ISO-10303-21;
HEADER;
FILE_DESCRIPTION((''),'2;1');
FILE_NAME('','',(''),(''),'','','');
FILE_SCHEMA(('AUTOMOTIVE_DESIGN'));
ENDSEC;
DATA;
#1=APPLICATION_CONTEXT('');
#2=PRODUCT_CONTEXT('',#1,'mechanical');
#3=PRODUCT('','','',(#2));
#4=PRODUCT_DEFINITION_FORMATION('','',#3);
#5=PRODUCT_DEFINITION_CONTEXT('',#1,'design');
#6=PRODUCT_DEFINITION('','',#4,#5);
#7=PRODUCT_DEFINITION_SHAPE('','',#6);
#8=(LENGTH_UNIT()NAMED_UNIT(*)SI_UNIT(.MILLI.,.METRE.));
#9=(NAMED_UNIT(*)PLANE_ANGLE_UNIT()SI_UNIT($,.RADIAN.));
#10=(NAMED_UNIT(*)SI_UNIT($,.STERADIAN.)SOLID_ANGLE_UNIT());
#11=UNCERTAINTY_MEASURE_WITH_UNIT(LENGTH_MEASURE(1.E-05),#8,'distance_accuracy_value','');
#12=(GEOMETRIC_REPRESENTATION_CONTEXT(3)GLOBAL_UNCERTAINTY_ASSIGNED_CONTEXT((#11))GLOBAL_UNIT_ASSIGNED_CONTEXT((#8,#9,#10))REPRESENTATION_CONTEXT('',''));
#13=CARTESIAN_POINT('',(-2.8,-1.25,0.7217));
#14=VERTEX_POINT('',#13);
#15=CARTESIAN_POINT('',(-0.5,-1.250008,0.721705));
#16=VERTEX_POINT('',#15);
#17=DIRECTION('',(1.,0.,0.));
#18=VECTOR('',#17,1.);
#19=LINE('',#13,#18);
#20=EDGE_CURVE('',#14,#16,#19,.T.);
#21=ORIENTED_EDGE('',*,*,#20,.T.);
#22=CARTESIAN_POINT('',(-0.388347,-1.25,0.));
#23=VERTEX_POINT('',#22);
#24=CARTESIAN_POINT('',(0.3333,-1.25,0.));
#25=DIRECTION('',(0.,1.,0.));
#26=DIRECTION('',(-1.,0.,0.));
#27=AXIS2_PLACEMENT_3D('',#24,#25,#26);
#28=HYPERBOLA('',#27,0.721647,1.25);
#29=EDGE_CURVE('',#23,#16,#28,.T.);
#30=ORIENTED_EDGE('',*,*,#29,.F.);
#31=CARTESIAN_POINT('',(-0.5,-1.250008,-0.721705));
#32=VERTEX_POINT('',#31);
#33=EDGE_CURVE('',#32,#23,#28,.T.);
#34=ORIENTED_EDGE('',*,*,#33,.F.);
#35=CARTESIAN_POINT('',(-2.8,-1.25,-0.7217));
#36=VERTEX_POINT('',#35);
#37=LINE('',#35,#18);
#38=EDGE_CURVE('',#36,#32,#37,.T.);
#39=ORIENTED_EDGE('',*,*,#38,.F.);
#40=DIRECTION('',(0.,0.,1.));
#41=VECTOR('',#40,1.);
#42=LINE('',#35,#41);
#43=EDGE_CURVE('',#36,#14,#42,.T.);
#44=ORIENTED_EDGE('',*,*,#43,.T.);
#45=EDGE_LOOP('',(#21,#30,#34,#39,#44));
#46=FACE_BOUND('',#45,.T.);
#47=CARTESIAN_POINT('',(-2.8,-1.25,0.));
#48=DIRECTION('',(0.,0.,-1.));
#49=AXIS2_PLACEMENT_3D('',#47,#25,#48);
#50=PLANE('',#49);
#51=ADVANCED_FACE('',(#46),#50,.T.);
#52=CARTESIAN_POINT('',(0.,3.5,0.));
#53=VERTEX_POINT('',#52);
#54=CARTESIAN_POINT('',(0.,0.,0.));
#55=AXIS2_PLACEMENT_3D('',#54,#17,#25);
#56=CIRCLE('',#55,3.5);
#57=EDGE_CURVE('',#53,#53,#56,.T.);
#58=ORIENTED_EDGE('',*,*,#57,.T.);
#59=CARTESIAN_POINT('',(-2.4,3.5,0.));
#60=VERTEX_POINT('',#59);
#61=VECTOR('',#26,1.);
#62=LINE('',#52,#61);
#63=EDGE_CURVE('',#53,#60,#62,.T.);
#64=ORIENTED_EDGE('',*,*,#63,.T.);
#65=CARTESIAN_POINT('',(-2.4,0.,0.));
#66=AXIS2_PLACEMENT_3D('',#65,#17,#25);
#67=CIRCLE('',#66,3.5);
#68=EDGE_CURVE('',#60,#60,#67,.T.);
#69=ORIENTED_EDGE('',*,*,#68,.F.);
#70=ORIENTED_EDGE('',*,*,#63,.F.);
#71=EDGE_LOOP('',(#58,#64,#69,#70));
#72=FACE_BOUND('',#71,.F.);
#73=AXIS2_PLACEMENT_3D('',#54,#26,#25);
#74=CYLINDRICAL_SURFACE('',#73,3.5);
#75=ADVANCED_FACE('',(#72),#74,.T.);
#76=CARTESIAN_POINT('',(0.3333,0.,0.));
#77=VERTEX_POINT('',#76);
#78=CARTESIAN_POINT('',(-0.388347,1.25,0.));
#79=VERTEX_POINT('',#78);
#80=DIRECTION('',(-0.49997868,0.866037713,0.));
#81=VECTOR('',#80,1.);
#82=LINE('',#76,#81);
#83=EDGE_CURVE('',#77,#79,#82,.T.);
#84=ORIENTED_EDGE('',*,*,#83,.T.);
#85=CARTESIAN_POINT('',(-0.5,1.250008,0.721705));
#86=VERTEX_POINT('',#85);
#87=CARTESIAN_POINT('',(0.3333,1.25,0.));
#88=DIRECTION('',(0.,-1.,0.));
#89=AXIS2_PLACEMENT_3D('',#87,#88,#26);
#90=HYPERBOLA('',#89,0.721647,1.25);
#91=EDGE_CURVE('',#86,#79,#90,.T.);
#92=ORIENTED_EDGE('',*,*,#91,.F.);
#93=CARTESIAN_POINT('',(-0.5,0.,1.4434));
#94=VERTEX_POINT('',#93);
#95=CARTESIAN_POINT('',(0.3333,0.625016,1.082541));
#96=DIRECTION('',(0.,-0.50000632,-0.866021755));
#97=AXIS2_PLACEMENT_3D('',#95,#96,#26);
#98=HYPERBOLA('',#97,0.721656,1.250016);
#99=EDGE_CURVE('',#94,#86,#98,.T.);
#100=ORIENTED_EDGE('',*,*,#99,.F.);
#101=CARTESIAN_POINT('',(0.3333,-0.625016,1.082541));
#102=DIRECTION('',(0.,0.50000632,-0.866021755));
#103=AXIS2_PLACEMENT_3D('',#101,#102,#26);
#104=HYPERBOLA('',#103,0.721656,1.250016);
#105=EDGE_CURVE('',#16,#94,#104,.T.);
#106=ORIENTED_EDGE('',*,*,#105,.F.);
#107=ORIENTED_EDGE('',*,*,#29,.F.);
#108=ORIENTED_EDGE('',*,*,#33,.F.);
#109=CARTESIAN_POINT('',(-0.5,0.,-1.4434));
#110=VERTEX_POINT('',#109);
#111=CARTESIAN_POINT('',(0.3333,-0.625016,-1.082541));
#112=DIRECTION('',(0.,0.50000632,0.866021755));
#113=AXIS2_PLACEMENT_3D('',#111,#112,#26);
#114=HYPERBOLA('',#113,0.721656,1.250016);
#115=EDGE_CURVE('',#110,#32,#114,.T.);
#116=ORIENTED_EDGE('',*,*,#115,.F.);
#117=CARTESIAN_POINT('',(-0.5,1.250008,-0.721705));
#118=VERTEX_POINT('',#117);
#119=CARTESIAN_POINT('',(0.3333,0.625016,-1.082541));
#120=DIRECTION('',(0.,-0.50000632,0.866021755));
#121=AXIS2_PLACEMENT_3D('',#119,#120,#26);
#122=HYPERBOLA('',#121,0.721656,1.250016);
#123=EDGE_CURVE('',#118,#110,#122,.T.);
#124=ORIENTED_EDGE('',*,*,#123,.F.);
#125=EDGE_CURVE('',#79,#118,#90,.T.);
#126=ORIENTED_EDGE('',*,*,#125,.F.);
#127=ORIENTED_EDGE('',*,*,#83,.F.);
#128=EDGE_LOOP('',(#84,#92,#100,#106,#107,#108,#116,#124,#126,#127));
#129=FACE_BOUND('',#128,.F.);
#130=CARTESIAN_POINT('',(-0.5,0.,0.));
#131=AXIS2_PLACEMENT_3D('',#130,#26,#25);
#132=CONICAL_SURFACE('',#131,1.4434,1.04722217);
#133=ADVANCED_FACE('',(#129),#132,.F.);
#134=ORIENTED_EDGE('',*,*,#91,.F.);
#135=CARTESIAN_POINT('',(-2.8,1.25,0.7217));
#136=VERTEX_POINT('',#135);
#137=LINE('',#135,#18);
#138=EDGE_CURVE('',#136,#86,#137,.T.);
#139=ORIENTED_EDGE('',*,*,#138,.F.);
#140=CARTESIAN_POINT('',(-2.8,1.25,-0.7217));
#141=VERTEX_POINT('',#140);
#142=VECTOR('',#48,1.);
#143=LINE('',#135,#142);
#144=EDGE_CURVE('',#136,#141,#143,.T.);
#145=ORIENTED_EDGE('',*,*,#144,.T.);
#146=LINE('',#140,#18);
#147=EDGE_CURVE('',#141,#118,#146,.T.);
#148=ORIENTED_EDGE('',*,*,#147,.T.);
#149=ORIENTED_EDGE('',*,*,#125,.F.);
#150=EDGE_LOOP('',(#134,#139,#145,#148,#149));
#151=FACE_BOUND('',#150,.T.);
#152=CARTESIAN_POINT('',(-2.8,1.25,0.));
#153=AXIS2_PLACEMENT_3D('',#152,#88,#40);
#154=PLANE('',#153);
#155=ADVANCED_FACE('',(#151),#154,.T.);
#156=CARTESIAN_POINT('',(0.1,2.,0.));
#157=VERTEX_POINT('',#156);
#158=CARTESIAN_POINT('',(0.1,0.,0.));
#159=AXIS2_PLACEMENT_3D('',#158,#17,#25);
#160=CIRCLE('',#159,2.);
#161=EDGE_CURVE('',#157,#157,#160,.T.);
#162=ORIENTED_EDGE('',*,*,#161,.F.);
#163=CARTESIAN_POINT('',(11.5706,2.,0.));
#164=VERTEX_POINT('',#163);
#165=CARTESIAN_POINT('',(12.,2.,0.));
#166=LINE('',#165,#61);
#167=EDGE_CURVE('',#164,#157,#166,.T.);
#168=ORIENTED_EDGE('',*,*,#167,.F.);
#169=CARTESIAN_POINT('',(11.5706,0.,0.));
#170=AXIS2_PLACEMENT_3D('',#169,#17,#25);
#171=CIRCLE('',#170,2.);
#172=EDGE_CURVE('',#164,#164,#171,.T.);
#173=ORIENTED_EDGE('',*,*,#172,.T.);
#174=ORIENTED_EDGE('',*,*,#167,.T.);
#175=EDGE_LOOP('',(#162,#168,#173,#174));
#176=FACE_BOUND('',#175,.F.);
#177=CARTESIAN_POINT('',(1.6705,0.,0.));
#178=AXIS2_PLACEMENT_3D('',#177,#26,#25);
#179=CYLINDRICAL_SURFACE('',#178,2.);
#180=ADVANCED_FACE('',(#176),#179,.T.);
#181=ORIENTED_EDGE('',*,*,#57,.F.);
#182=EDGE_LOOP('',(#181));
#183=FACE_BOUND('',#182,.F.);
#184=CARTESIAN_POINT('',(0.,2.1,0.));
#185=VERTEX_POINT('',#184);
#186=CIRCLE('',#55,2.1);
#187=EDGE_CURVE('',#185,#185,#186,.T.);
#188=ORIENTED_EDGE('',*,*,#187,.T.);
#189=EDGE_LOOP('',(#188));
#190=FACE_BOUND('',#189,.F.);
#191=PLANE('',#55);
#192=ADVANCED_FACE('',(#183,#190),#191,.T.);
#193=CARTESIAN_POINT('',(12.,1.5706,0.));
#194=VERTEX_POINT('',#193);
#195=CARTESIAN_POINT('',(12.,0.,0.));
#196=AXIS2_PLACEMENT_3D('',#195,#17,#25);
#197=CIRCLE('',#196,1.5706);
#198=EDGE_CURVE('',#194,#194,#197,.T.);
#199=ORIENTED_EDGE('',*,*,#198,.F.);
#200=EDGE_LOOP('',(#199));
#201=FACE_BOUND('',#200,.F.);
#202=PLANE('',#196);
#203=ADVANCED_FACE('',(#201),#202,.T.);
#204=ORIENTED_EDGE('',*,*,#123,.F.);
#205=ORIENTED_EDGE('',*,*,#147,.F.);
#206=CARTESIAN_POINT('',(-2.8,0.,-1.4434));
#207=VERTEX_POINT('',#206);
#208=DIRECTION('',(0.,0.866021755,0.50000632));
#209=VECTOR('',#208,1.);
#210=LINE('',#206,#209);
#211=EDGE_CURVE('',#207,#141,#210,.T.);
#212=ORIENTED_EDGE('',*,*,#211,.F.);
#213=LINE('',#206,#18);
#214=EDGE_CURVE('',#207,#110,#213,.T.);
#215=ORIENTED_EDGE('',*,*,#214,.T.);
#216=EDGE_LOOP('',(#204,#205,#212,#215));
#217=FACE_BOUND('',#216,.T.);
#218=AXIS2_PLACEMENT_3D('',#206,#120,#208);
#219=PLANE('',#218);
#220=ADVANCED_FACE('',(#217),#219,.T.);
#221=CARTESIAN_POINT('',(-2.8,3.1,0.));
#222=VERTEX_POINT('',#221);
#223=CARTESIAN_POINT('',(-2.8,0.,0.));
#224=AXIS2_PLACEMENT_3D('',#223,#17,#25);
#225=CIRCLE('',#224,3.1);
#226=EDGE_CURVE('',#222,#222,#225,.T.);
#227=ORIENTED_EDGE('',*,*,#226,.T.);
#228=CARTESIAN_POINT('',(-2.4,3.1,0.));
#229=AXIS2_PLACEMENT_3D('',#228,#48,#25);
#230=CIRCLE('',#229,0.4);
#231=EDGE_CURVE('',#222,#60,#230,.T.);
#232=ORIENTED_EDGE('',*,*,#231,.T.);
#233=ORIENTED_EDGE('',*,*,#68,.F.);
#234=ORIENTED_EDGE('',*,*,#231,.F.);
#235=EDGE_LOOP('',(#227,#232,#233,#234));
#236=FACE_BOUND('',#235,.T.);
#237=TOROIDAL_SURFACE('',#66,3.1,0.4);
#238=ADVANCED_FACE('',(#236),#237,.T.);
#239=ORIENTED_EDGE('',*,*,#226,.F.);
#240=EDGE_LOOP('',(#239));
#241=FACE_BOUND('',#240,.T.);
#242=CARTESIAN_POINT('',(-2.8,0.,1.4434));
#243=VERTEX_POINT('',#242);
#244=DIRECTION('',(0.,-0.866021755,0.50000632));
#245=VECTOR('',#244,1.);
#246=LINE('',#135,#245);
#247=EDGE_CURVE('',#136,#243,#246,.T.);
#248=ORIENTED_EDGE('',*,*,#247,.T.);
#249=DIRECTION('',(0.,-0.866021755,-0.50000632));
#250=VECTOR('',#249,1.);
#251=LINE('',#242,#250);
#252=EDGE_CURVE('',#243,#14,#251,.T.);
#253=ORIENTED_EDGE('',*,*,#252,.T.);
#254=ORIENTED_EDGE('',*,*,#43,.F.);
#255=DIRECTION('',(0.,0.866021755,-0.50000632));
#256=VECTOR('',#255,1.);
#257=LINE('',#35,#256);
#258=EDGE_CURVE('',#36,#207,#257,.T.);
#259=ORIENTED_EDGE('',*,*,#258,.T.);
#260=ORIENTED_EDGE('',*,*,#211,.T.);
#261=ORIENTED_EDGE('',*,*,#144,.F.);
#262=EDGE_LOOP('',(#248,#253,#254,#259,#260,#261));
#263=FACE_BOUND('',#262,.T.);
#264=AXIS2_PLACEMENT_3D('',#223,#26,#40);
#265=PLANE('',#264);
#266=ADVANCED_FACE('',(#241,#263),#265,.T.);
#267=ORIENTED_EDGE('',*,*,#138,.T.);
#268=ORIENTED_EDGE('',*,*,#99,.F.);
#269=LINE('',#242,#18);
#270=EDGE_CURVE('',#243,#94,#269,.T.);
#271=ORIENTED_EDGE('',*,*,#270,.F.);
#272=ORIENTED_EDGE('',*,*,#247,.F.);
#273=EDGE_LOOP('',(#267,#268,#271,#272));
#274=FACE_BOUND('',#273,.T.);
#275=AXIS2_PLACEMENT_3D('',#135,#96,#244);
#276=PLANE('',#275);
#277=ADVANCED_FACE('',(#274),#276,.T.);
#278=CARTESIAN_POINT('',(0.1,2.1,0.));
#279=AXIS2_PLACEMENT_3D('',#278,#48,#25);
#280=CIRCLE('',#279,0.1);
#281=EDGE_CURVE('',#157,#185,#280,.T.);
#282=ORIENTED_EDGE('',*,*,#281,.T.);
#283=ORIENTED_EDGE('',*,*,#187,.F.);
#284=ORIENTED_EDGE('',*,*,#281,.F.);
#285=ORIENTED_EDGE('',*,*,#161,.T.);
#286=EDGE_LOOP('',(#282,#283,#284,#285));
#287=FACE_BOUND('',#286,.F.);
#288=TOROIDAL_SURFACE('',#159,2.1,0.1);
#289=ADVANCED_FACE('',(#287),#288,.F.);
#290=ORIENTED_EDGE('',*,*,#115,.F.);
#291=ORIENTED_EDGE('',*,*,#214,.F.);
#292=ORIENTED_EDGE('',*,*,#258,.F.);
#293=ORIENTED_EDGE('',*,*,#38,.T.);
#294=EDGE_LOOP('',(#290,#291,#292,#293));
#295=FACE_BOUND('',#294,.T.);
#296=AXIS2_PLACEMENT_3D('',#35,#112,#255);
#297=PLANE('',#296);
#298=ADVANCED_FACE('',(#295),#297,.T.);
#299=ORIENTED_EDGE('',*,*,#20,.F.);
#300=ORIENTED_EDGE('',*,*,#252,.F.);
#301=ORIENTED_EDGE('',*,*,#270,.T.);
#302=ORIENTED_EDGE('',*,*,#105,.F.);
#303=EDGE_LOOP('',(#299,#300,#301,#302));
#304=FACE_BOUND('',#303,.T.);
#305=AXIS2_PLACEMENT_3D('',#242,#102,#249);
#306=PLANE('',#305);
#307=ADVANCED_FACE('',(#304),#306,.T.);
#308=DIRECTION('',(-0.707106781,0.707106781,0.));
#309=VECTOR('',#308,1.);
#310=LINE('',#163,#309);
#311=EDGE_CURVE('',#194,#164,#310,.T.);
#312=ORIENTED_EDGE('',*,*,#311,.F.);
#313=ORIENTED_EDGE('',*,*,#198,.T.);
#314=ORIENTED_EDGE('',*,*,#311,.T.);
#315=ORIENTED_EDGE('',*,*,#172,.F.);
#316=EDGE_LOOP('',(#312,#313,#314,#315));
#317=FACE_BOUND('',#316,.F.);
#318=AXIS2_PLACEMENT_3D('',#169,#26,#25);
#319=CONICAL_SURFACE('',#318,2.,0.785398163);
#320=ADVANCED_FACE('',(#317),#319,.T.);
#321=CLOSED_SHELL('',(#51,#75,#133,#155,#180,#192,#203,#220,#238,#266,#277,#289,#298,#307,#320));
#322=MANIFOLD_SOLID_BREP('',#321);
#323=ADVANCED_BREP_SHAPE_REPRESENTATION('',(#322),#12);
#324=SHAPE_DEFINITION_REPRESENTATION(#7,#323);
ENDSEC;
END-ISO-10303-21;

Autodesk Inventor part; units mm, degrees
ref_plane "YZ Plane" through (0, 0, 0) normal (1, 0, 0) x (0, 1, 0)
ref_plane "XZ Plane" through (0, 0, 0) normal (0, 1, 0) x (-1, 0, 0)
sketch "Sketch1" plane through (0, 0, 0) normal (0, 0, 1) x (1, 0, 0)
  line L0 (0.3333, 0) -> (12, 0)
  line L1 (12, 0) -> (12, 2)
  line L2 (12, 2) -> (2.1, 2)
  line L3 (2.1, 2) -> (1.6705, 2)
  line L4 (1.6705, 2) -> (0, 2)
  line L5 (0, 2) -> (0, 3.5)
  line L6 (0, 3.5) -> (-2.8, 3.5)
  line L7 (-2.8, 3.5) -> (-2.8, 1.4434)
  line L8 (-2.8, 1.4434) -> (-0.5, 1.4434)
  line L9 (-0.5, 1.4434) -> (0.3333, 0)
  line L10 (-5.76, 0) -> (14.96, 0) projected
  line L11 (0, -0.7) -> (0, 4.2) projected
  line L12 (2.1, 2) -> (0, 2) construction
  dimension "d1" = 9.9
  dimension "d2" = 0.4295
  dimension "d3" = 2.8
  dimension "d4" = 2.3
  dimension "d5" = 60
  dimension "d6" = 4
  dimension "d7" = 4
  dimension "d8" = 2.8868
  dimension "d9" = 7
  dimension "d26" = 12
revolve "Body" add sketch "Sketch1" angle 360 about axis through (0.3333, 0, 0) along (1, 0, 0) contours L9 L11 L4 L3 L2 L1 L0 | L9 L8 L7 L6 L5 L11
sketch "Sketch2" plane through (-2.8, 0, 0) normal (-1, 0, 0) x (0, 0, 1)
  circle A0 centre (0, 0) radius 1.4434 projected
  line L0 (0, -4.9) -> (0, 4.9) projected
  line L1 (-4.9, 0) -> (4.9, 0) projected
  line L2 (1.4434, 0) -> (0.7217, -1.25)
  line L3 (0.7217, -1.25) -> (-0.7217, -1.25)
  line L4 (-0.7217, -1.25) -> (-1.4434, 0)
  line L5 (-1.4434, 0) -> (-0.7217, 1.25)
  line L6 (-0.7217, 1.25) -> (0.7217, 1.25)
  line L7 (0.7217, 1.25) -> (1.4434, 0)
  point P0 (0, 0)
extrude "Slot" add sketch "Sketch2" against normal up to next contours L7 A0 | A0 L2 | L6 L0 A0 | A0 L0 L3 | L0 L6 A0 | A0 L3 L0 | L4 A0 | A0 L5
fillet "Fillet1" radius 0.4 1 edges at (-2.8, -3.5, 0)
thread "Thread" size "M4x0.7" class "6g" standard "ISO Metric profile" length 9.9
chamfer "Chamfer1" distance 0.4294 distance2 0.4294 1 edges at (12, -2, 0) measured on face at (12, -1.1003, -0.6618)
ref_plane "Work Plane1" through (29, 0, 0) normal (0, -1, 0) x (1, 0, 0)
fillet "Fillet2" radius 0.1 1 edges at (0, -2, 0)
equation "\"d1\" = GEL"
equation "\"d3\" = KOH"
equation "\"d4\" = INTI"
equation "\"d6\" = GD"
equation "\"d7\" = BDM"
equation "\"d8\" = 1.1547 * SW"
equation "\"d9\" = KOD"
equation "\"d26\" = NLG"
equation "\"d30\" = R"
equation "\"d17\" = RR"
equation "\"d13\" = GEL"
equation "\"d15\" = -0.5 * SPD + 0.5 * GD"
equation "\"d16\" = GUL"
equation "\"GD\" = NND"
equation "\"NLG\" = 12"
equation "\"GEL\" = 9.9"
equation "\"KOD\" = 7"
equation "\"KOH\" = 2.8"
equation "\"INTI\" = 2.3"
equation "\"GAL\" = 0.61345 * PTC"
equation "\"GUL\" = 0.61345 * PTC"
equation "\"BDM\" = NND"
equation "\"SW\" = 2.5"
equation "\"RR\" = 0.4"
equation "\"SPD\" = NND - 1.2269 * PTC"
equation "\"R\" = 0.1"
equation "\"TOA\" = 30deg"
equation "\"GD1\" = THREADDIA - 1.2269 * PTC"
equation "\"THREADDIA\" = 4"
equation "\"FAWI\" = 45deg"
equation "\"ANG\" = 120deg"
equation "\"PTC\" = 0.7"
equation "\"NND\" = 4"
equation "\"E0\" = 1.155 * SW"
properties part number "DIN 7984 - M4 x 12" material "Steel, Mild"
